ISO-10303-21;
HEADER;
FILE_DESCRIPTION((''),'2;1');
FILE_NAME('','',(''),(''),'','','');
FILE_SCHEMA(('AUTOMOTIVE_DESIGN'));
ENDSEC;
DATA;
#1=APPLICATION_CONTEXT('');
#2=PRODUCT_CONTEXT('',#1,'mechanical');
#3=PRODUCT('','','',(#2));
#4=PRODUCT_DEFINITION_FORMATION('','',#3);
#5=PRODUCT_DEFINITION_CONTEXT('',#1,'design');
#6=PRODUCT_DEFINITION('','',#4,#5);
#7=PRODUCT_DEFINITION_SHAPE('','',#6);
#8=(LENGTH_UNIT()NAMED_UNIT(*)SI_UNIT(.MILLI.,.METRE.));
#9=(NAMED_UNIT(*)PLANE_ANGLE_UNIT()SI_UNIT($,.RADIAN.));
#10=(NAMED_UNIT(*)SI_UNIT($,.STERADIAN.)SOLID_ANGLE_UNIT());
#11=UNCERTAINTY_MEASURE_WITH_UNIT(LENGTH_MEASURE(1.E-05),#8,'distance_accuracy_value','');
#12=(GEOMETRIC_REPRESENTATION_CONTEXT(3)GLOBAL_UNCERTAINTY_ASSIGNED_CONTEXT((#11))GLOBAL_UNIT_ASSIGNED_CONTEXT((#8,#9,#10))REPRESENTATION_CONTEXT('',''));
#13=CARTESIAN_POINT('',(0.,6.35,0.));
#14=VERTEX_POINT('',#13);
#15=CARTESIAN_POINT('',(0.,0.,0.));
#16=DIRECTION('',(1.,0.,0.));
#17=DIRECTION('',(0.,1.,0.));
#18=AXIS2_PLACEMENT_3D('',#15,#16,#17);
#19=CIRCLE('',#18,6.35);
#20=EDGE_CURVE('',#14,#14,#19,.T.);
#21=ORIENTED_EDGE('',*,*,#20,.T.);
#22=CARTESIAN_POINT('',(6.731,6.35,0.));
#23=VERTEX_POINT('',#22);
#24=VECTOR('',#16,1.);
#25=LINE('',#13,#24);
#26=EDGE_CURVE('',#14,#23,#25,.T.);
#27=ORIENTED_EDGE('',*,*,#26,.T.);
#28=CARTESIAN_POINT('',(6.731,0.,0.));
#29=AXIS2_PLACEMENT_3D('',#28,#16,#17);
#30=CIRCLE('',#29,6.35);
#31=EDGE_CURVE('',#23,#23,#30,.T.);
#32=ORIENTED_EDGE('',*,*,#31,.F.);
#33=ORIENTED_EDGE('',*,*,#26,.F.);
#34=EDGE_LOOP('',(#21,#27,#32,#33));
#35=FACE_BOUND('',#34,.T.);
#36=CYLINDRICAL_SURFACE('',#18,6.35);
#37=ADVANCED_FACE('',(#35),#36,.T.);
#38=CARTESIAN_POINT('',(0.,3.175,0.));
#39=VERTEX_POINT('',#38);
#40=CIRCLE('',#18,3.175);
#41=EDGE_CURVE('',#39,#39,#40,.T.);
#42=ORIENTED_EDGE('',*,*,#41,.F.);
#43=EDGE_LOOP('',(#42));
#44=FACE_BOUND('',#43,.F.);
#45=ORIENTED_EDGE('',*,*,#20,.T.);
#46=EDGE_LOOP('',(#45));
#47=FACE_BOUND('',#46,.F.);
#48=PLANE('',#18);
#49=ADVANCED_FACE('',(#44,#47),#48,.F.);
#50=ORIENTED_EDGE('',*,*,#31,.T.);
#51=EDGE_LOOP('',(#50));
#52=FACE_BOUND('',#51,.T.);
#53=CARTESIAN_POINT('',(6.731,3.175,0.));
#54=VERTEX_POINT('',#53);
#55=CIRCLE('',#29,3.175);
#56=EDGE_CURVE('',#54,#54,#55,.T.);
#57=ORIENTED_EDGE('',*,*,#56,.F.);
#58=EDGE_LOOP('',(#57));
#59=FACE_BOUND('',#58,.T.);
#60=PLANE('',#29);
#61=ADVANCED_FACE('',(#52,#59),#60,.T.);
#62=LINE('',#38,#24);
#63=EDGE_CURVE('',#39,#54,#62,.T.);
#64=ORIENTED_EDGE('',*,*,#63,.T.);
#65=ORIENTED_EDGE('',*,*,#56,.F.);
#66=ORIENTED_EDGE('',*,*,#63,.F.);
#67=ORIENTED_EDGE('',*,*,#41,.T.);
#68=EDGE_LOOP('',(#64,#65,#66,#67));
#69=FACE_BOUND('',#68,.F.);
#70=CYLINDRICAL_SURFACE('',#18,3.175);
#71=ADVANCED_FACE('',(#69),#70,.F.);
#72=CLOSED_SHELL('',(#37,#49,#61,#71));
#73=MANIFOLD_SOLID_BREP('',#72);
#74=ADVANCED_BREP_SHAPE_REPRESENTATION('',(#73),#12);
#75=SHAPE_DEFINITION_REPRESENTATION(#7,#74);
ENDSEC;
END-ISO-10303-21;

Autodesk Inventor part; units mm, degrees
ref_plane "YZ Plane" through (0, 0, 0) normal (1, 0, 0) x (0, 1, 0)
ref_plane "XZ Plane" through (0, 0, 0) normal (0, 1, 0) x (-1, 0, 0)
ref_plane "XY Plane" through (0, 0, 0) normal (0, 0, 1) x (1, 0, 0)
sketch "Sketch1" plane through (0, 0, 0) normal (0, 0, 1) x (1, 0, 0)
  line L0 (0, 0) -> (8.7313, 0) construction
  line L1 (0, 0) -> (0, 7.9375) construction
  line L2 (0, 7.9375) -> (8.7312, 7.9375) construction
  line L3 (8.7312, 7.9375) -> (8.7313, 0) construction
  line L4 (8.7312, 7.9375) -> (45.2438, 7.9375) construction
  line L5 (8.7312, 7.9375) -> (8.7312, 14.2875) construction
  line L6 (8.7312, 14.2875) -> (9.525, 14.2875) construction
  line L7 (9.525, 14.2875) -> (9.525, 0) construction
  line L8 (9.525, 0) -> (8.7313, 0) construction
  line L9 (9.525, 0) -> (19.05, 0) construction
  line L10 (19.05, 0) -> (19.05, 26.67) construction
  line L11 (19.05, 26.67) -> (9.525, 26.67) construction
  line L12 (9.525, 26.67) -> (9.525, 14.2875) construction
  line L13 (14.2875, 0) -> (14.2875, 26.67) construction
  line L14 (14.2875, 17.4625) -> (21.4312, 17.4625) construction
  line L15 (21.4312, 17.4625) -> (21.4313, 0) construction
  line L16 (21.4313, 0) -> (19.05, 0) construction
  line L17 (21.4313, 0) -> (22.225, 0) construction
  line L18 (22.225, 0) -> (22.225, 14.2875) construction
  line L19 (22.225, 14.2875) -> (21.4313, 14.2875) construction
  line L20 (21.4313, 14.2875) -> (21.4313, 0) construction
  line L21 (22.225, 0) -> (31.75, 0) construction
  line L22 (31.75, 0) -> (31.75, 20.32) construction
  line L23 (31.75, 20.32) -> (22.225, 20.32) construction
  line L24 (22.225, 20.32) -> (22.225, 0) construction
  line L25 (26.9875, 20.32) -> (26.9875, 0) construction
  line L26 (26.9875, 17.4625) -> (34.1313, 17.4625) construction
  line L27 (34.1313, 17.4625) -> (34.1313, 0) construction
  line L28 (34.1313, 0) -> (31.75, 0) construction
  line L29 (34.1313, 0) -> (34.925, 0) construction
  line L30 (34.925, 0) -> (34.925, 14.2875) construction
  line L31 (34.925, 14.2875) -> (34.1313, 14.2875) construction
  line L32 (34.1313, 14.2875) -> (34.1313, 0) construction
  line L33 (34.925, 0) -> (36.5125, 0) construction
  line L34 (36.5125, 0) -> (36.5125, 9.525) construction
  line L35 (36.5125, 9.525) -> (34.925, 9.525) construction
  line L36 (34.925, 9.525) -> (34.925, 0) construction
  line L37 (45.2438, 7.9375) -> (45.2438, 0) construction
  line L38 (45.2438, 0) -> (36.5125, 0) construction
  line L39 (11.9063, 26.67) -> (11.9063, 0) construction
  line L40 (24.6063, 20.32) -> (24.6063, 0) construction
  line L41 (0, 7.9375) -> (0, 17.4625) construction
  line L42 (0, 17.4625) -> (8.7312, 17.4625) construction
  line L43 (8.7312, 17.4625) -> (8.7312, 14.2875) construction
  line L44 (0, 3.175) -> (45.2438, 3.175) construction
  circle A0 centre (11.9063, 5.5562) radius 2.3813 construction
  circle A1 centre (24.6063, 5.5562) radius 2.3812 construction
  circle A2 centre (11.9063, 5.8103) radius 2.3813 construction
  circle A3 centre (11.9063, 7.5565) radius 2.3813 construction
  circle A4 centre (24.6063, 5.8103) radius 2.3812 construction
  circle A5 centre (24.6063, 7.5565) radius 2.3812 construction
  line L45 (9.525, 8.1915) -> (14.2875, 8.1915) construction
  line L46 (12.6386, 3.175) -> (14.6388, 5.1753) construction
  line L47 (14.6388, 5.1753) -> (21.8737, 5.1753) construction
  line L48 (21.8737, 5.1753) -> (23.8739, 3.175) construction
  line L49 (22.225, 8.1915) -> (26.9875, 8.1915) construction
  line L50 (10.3187, 5.1753) -> (17.4901, 5.1753) construction
  line L51 (26.1938, 5.1753) -> (19.0224, 5.1753) construction
  line L52 (0, 6.35) -> (6.731, 6.35) construction
  line L53 (6.731, 6.35) -> (6.731, 3.175) construction
  line L54 (10.3187, 5.1753) -> (8.3185, 3.175) construction
  line L55 (17.4901, 5.1753) -> (19.4903, 3.175) construction
  line L56 (19.4903, 3.175) -> (26.1938, 3.175) construction
  line L57 (26.1938, 3.175) -> (28.1015, 0) construction
  line L58 (26.1938, 5.1753) -> (28.194, 3.175) construction
  line L59 (28.194, 3.175) -> (34.8974, 3.175) construction
  line L60 (34.8974, 3.175) -> (36.8052, 0) construction
  line L61 (6.731, 5.5562) -> (45.2438, 5.5563) construction
  line L62 (37.202, 0) -> (33.8635, 5.5563) construction
  line L63 (19.0224, 5.1753) -> (17.0222, 3.175) construction
  line L64 (17.0222, 3.175) -> (-3.175, 3.175) construction
  line L65 (45.2438, 7.9375) -> (45.2438, 17.4625) construction
  line L66 (45.2438, 17.4625) -> (36.5125, 17.4625) construction
  line L67 (36.5125, 17.4625) -> (36.5125, 9.525) construction
  line L68 (45.2438, 7.9375) -> (51.5938, 7.9375) construction
  line L69 (51.5938, 7.9375) -> (51.5938, 0) construction
  line L70 (51.5938, 0) -> (45.2438, 0) construction
  line L71 (51.5938, 6.35) -> (64.2938, 6.35) construction
  line L72 (64.2938, 6.35) -> (64.2938, 0) construction
  line L73 (64.2938, 0) -> (51.5938, 0) construction
  line L74 (-8.1534, 3.175) -> (-8.1534, 2.3812) construction
  line L75 (-8.1534, 0) -> (36.8052, 0) construction
  line L76 (-3.175, 3.175) -> (-3.175, 2.3812) construction
  line L77 (-3.175, 2.3812) -> (-8.1534, 2.3812) construction
  line L78 (-8.1534, 3.175) -> (-8.1534, 6.35) construction
  line L79 (-8.1534, 6.35) -> (-3.175, 6.35) construction
  line L80 (-3.175, 6.35) -> (-3.175, 3.175) construction
  line L81 (-3.175, 0) -> (-3.175, 2.3812) construction
  line L82 (-0.7937, 0) -> (-0.7938, 11.1125) construction
  line L83 (-0.7938, 11.1125) -> (-3.175, 11.1125) construction
  line L84 (-3.175, 11.1125) -> (-3.175, 6.35) construction
  line L85 (-3.175, 3.175) -> (-8.1534, 3.175) construction
  line L86 (-8.1534, 2.3812) -> (-8.1534, 0) construction
  line L87 (-8.1534, 2.7051) -> (-9.652, 2.7051) construction
  line L88 (-9.652, 2.7051) -> (-9.652, 0) construction
  line L89 (-9.652, 0) -> (-8.1534, 0) construction
  line L90 (-8.1534, 1.4224) -> (-5.6134, 1.4224) construction
  line L91 (-5.6134, 1.4224) -> (-5.6134, 0) construction
  line L92 (-5.6134, 1.4224) -> (-3.0734, 1.4224) construction
  line L93 (-3.0734, 1.4224) -> (-3.0734, 0) construction
  line L94 (-3.175, 11.1125) -> (-13.4938, 11.1125) construction
  line L95 (-13.4938, 11.1125) -> (-13.4937, 5.9531) construction
  line L96 (-13.4937, 5.9531) -> (-18.5801, 5.9531) construction
  line L97 (-18.5801, 5.9531) -> (-18.5801, 0) construction
  line L98 (-18.5801, 0) -> (-9.652, 0) construction
  line L99 (-8.1534, 3.9687) -> (-14.6113, 3.9687) construction
  line L100 (-14.6113, 3.9687) -> (-14.6113, 0) construction
  line L101 (-14.6113, 3.429) -> (-10.4457, 3.429) construction
  line L102 (-10.4457, 3.429) -> (-10.4457, 0) construction
  line L103 (-16.9926, 3.175) -> (-16.9926, 0) construction
  line L104 (-16.9926, 3.175) -> (-18.5801, 3.175) construction
  line L105 (6.731, 3.175) -> (6.731, 0) construction
  dimension "d0" = 8.7312
  dimension "d1" = 7.9375
  dimension "d2" = 0.7937
  dimension "d3" = 14.2875
  dimension "d4" = 9.525
  dimension "d5" = 26.67
  dimension "d6" = 7.1437
  dimension "d7" = 17.4625
  dimension "d8" = 0.7937
  dimension "d9" = 14.2875
  dimension "d10" = 9.525
  dimension "d11" = 20.32
  dimension "d12" = 7.1437
  dimension "d13" = 17.4625
  dimension "d14" = 0.7937
  dimension "d15" = 14.2875
  dimension "d16" = 1.5875
  dimension "d17" = 9.525
  dimension "d18" = 8.7312
  dimension "d19" = 2.3813
  dimension "d20" = 2.3813
  dimension "d21" = 17.4625
  dimension "d22" = 3.175
  dimension "d23" = 4.7625
  dimension "d24" = 4.7625
  dimension "d26" = 0.254
  dimension "d28" = 45
  dimension "d29" = 45
  dimension "d30" = 0.254
  dimension "d31" = 7.2348
  dimension "d32" = 5.1753
  dimension "d33" = 7.1713
  dimension "d34" = 1.5875
  dimension "d35" = 7.1713
  dimension "d36" = 1.5875
  dimension "d37" = 6.35
  dimension "d39" = 45
  dimension "d40" = 45
  dimension "d41" = 1.5875
  dimension "d42" = 59
  dimension "d43" = 6.7034
  dimension "d44" = 6.7034
  dimension "d45" = 5.5563
  dimension "d46" = 0.3969
  dimension "d47" = 1.5875
  dimension "d48" = 6.731
  dimension "d52" = 17.4625
  dimension "d53" = 6.35
  dimension "d54" = 12.7
  dimension "d55" = 6.35
  dimension "d56" = 2.3813
  dimension "d57" = 4.9784
  dimension "d58" = 6.35
  dimension "d66" = 2.3813
  dimension "d67" = 0.7937
  dimension "d68" = 11.1125
  dimension "d69" = 2.7051
  dimension "d70" = 1.4986
  dimension "d71" = 1.4224
  dimension "d72" = 2.54
  dimension "d73" = 2.54
  dimension "d74" = 3.9688
  dimension "d75" = 4.1656
  dimension "d76" = 3.429
sketch "Sketch2" plane through (0, 0, 0) normal (0, 0, 1) x (1, 0, 0)
  line L0 (0, 6.35) -> (6.731, 6.35) projected
  line L1 (6.731, 6.35) -> (6.731, 3.175) projected
  line L2 (0, 6.35) -> (0, 3.175)
  line L3 (0, 3.175) -> (6.731, 3.175)
  line L4 (-35.1549, 0) -> (80.8685, 0) projected
  point P0 (0, 0)
revolve "Revolution1" add sketch "Sketch2" angle 360 about axis through (-10, 0, 0) along (1, 0, 0)
equation "\"d9\" = d3"
equation "\"d12\" = d6"
equation "\"d13\" = d7"
equation "\"d15\" = d9"
equation "\"d18\" = d0"
equation "\"d20\" = d19"
equation "\"d35\" = d33"
equation "\"d36\" = d34"
equation "\"d43\" = d44"
equation "\"d52\" = d13"
properties part number "Ball Shifting Outline" material "Brass, Soft Yellow"
